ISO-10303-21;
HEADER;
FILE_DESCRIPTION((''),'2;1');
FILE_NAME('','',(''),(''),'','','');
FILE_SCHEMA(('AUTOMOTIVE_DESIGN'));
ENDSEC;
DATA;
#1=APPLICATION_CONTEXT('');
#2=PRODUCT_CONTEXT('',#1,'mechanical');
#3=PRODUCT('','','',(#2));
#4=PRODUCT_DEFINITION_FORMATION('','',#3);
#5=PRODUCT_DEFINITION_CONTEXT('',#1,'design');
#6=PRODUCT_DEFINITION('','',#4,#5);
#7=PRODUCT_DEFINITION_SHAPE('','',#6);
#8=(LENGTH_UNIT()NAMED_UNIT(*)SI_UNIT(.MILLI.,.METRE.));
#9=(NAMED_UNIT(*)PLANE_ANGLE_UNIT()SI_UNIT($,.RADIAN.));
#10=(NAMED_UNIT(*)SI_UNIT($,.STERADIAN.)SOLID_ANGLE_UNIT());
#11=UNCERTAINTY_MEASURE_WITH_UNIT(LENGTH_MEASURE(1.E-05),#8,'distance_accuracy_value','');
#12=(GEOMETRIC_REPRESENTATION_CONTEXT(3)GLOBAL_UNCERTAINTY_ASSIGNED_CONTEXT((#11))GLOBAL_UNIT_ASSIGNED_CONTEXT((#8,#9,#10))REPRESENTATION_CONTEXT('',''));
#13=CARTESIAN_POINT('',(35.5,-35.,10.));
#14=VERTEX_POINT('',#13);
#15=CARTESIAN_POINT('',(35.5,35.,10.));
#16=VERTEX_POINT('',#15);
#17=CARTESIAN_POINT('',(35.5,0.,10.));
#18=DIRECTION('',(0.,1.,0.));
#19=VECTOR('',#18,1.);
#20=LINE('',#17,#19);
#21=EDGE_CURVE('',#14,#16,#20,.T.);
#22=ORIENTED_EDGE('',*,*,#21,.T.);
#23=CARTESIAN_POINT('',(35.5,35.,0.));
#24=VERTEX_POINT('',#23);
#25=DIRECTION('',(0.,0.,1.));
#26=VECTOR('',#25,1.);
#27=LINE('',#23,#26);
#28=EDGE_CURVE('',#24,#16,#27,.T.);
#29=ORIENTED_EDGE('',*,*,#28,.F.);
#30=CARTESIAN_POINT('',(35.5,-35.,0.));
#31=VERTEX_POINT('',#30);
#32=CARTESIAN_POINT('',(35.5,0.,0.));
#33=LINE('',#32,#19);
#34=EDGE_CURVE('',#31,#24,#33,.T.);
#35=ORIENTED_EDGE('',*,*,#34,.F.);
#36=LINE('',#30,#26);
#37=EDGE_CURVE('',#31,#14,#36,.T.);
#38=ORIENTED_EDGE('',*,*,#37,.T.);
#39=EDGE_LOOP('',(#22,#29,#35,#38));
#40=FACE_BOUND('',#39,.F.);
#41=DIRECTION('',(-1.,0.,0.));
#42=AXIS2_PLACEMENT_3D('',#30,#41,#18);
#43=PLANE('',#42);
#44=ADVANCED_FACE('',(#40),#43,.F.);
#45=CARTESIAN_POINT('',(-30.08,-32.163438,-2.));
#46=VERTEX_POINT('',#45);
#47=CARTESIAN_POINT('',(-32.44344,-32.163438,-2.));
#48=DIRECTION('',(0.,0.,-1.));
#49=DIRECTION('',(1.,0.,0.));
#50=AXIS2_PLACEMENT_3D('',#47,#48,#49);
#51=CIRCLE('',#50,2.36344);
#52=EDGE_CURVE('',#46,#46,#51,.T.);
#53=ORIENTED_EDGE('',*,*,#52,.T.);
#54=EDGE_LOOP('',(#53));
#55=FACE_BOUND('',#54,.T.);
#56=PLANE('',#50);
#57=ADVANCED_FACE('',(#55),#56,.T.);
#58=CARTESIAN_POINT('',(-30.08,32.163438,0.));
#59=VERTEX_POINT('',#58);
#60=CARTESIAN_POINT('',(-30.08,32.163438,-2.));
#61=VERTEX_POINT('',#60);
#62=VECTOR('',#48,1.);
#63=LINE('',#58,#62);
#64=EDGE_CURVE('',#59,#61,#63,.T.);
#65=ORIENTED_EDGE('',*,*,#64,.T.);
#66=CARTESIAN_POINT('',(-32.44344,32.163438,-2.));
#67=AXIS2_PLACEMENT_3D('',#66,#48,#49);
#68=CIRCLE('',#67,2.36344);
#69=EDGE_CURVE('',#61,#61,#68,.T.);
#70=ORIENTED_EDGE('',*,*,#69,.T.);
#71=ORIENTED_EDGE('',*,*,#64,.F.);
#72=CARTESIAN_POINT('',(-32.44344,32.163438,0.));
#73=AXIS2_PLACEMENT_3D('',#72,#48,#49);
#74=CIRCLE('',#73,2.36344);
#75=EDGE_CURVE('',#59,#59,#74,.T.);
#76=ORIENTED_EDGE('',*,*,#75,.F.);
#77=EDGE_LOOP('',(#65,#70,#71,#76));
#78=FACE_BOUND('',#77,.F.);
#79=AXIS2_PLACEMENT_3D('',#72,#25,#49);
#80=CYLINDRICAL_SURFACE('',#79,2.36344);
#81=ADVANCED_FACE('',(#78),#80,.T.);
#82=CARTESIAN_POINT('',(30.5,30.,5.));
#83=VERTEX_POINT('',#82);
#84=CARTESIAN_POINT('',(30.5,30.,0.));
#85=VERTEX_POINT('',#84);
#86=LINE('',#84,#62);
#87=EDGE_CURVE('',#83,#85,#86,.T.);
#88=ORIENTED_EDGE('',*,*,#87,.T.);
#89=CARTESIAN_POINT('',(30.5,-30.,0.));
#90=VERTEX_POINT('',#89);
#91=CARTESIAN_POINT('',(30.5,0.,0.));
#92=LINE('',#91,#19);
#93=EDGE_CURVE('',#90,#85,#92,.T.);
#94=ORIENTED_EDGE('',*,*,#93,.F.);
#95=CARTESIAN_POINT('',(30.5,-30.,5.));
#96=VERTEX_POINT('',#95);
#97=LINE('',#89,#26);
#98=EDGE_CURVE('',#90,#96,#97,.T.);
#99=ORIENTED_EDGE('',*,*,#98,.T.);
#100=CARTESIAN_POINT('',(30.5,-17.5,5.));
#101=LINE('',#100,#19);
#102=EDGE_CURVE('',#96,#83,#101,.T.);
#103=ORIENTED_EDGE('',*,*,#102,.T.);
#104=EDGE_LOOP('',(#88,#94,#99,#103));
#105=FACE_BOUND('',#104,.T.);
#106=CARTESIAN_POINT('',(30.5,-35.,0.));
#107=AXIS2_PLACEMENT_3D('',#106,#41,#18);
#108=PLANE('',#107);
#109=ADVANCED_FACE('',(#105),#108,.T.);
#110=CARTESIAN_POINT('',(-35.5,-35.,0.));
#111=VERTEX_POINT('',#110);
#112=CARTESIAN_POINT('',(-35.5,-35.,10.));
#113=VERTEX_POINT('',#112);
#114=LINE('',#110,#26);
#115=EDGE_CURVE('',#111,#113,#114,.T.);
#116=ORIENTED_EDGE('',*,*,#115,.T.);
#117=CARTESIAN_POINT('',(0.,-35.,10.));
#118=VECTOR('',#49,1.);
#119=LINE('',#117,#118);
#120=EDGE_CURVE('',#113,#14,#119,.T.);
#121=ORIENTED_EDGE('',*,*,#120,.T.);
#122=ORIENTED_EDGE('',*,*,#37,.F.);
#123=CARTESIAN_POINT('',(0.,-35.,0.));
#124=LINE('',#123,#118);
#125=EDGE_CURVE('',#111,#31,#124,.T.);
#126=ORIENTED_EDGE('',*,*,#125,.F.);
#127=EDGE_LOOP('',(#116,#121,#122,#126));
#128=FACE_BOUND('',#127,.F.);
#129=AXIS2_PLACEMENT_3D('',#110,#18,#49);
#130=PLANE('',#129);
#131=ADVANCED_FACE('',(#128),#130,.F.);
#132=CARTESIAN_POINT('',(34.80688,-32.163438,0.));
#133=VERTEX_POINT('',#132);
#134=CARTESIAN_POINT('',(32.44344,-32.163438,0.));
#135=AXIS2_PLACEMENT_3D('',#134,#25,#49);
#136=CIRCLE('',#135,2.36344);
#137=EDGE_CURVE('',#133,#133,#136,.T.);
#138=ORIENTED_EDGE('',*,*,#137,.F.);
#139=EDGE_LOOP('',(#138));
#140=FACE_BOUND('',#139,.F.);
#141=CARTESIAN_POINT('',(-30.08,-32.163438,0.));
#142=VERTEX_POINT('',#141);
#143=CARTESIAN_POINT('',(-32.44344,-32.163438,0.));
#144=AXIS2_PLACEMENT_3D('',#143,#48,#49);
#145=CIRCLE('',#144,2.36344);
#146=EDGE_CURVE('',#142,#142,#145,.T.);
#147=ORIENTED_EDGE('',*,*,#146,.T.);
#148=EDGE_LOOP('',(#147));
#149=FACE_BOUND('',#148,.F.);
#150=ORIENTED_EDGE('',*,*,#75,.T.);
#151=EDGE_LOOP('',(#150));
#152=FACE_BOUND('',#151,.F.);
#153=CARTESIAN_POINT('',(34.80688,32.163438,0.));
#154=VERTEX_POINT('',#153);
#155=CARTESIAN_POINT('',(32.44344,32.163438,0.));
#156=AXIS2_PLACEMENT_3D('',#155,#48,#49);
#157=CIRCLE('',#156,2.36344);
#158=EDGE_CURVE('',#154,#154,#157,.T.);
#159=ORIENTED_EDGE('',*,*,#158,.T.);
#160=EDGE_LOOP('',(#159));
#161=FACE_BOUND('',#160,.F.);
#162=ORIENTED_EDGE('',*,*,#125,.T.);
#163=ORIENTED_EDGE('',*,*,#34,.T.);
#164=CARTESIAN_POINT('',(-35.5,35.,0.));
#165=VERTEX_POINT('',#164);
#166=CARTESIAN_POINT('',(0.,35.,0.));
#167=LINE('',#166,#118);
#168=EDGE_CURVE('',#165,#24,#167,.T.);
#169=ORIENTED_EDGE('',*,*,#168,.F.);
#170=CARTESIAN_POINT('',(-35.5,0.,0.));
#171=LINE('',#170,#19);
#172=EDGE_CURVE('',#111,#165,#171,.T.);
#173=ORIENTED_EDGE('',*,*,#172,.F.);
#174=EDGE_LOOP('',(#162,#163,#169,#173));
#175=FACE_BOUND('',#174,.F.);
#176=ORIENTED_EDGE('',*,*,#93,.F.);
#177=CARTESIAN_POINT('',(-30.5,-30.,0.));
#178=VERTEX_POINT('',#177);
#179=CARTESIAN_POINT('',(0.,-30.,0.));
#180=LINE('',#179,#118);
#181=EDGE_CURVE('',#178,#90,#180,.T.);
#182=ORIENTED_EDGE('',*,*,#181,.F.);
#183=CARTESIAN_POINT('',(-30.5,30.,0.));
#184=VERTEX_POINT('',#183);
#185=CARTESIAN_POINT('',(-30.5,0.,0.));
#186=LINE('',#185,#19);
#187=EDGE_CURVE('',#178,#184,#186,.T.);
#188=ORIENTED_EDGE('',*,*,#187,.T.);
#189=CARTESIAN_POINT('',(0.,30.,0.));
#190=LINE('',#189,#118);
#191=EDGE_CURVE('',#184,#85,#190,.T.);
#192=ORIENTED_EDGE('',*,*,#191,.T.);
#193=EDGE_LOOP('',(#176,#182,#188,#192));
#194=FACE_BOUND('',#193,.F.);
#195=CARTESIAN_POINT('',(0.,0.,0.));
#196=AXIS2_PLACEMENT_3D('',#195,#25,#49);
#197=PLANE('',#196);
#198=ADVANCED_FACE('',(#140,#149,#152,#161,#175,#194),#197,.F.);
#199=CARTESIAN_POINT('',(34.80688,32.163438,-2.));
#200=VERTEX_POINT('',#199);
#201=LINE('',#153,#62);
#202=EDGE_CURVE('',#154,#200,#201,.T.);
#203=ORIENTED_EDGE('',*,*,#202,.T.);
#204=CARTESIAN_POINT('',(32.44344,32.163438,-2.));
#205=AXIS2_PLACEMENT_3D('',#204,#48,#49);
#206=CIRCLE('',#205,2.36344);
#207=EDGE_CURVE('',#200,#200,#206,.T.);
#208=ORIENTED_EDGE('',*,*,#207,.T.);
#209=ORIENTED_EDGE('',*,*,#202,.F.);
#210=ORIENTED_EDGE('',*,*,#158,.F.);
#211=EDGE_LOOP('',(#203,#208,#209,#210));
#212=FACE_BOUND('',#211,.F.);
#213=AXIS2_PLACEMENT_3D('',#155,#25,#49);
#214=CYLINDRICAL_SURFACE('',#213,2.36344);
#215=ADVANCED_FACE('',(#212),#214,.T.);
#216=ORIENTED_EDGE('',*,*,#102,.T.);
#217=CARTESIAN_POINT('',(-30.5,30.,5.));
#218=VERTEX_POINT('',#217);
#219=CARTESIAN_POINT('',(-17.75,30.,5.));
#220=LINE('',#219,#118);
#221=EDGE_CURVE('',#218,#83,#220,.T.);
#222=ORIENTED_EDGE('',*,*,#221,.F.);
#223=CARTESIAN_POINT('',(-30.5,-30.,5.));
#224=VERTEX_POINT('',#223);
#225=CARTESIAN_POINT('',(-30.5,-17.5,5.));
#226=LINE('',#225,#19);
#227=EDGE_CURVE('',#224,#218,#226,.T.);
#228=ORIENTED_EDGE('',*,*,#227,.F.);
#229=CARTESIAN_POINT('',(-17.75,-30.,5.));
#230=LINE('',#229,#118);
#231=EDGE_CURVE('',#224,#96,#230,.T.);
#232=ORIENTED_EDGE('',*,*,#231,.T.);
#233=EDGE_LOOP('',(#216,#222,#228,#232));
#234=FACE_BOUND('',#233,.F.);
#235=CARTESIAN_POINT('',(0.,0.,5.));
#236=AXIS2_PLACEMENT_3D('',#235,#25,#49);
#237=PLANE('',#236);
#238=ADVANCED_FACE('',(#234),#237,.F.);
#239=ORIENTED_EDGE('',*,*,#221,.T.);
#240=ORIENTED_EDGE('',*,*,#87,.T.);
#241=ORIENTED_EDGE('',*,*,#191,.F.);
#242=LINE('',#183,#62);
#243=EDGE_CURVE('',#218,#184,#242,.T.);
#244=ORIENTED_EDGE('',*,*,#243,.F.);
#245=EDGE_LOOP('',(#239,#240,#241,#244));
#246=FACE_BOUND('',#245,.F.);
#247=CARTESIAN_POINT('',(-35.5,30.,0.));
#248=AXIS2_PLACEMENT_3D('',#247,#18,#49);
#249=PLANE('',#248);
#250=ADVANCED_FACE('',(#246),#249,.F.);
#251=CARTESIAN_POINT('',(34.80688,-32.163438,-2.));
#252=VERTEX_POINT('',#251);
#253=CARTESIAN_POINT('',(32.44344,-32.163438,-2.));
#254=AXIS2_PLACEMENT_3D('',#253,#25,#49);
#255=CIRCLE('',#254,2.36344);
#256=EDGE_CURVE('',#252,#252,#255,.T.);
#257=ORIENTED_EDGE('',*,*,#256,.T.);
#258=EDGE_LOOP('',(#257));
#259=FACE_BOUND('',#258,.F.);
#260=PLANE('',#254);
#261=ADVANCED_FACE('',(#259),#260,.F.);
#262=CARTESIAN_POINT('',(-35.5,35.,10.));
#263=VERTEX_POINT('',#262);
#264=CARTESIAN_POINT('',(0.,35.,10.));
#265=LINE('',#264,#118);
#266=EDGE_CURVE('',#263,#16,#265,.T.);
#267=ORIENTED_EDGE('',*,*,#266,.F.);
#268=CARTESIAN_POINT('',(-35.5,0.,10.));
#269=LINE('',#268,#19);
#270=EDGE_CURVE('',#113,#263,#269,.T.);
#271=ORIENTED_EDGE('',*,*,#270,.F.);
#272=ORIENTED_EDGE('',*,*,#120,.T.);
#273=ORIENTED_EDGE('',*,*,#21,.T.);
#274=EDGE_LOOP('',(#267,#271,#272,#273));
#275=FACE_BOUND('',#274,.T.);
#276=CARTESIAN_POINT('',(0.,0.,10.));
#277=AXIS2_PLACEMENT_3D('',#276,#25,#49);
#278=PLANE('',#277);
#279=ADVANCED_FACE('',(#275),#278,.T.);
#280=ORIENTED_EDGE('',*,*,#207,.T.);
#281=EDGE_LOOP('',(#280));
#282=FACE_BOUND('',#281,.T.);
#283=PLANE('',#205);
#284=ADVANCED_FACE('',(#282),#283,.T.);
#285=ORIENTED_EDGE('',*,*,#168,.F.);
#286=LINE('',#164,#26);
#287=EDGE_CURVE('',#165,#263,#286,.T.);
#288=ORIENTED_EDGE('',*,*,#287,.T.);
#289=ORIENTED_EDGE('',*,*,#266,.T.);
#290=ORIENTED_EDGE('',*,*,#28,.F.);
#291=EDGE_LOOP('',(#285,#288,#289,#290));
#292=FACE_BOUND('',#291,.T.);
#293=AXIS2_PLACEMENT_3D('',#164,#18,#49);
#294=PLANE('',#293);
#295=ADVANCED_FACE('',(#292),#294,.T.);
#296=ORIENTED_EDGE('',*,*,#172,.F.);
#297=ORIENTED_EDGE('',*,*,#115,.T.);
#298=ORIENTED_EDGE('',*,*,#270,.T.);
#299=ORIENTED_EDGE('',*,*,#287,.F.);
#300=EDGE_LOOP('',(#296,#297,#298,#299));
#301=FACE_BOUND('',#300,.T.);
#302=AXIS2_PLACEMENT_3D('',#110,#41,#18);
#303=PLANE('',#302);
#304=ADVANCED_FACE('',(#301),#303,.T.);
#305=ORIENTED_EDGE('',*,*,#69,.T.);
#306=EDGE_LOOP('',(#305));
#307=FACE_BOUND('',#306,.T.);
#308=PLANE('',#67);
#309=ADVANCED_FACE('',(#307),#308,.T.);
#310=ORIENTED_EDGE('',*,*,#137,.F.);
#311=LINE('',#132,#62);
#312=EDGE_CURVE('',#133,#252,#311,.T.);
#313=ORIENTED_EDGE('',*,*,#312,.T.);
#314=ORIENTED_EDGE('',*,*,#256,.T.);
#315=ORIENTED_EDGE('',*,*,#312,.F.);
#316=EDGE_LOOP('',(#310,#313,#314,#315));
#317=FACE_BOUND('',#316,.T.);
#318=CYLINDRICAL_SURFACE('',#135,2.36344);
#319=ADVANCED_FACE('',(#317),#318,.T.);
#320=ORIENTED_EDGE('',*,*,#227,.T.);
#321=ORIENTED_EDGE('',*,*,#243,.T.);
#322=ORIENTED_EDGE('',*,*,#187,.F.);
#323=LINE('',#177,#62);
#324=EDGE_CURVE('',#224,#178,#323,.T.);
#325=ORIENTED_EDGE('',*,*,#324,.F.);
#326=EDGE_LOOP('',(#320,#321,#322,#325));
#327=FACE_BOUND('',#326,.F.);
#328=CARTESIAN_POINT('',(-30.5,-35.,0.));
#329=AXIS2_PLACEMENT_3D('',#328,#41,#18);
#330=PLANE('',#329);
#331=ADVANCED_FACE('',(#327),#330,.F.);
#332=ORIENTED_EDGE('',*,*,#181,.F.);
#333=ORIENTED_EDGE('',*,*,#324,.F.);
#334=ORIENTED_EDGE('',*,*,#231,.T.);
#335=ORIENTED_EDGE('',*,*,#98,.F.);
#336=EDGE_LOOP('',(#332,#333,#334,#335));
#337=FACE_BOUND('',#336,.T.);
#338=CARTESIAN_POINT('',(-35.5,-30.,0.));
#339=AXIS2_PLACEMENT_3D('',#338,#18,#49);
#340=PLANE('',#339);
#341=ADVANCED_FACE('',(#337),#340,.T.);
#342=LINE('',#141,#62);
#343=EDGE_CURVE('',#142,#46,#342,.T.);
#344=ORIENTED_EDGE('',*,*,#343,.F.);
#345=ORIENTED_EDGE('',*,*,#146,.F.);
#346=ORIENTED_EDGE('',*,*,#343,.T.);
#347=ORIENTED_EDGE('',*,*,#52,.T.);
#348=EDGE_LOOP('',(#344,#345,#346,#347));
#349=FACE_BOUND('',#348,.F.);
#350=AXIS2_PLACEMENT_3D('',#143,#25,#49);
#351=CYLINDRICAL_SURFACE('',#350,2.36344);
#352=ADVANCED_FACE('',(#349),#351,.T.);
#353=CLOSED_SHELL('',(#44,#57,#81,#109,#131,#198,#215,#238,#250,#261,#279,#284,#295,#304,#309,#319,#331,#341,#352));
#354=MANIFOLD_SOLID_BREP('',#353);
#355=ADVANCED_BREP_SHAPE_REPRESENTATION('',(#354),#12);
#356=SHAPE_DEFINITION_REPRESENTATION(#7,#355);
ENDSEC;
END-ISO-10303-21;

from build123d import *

# Parameters (mm, degrees)
F0_W     = 71
F0_H     = 70
F1_DEPTH = 10
F2_T     = -5
F3_R     = 2.36344
F4_R     = 2.36344
F7_DEPTH = 2
F5_R     = 2.36344
F6_R     = 2.36344
F8_DEPTH = 2


with BuildPart() as f1:
    # F0 (on Top) → F1 (new body)
    with BuildSketch(Plane.XY):
        Rectangle(F0_W, F0_H)
    extrude(amount=F1_DEPTH)

    # F2
    f2_openings = [f1.faces().sort_by_distance(p)[0] for p in [
        (0, 0, 0),
    ]]
    offset(amount=F2_T, openings=f2_openings)

    # F3 (on face) + F4 (on Top) → F7 (join)
    with BuildSketch(Plane(origin=(0, 0, 0), x_dir=(1, 0, 0), z_dir=(0, 0, -1))):
        with Locations((-32.44344, 32.1634384014)):
            Circle(F3_R)
    with BuildSketch(Plane.XY):
        with Locations((32.44344, -32.1634384014)):
            Circle(F4_R)
    extrude(amount=F7_DEPTH, dir=(0, 0, -1))

    # F5 (on face) + F6 (on face) → F8 (join)
    with BuildSketch(Plane(origin=(0, 0, 0), x_dir=(1, 0, 0), z_dir=(0, 0, -1))):
        with Locations((-32.44344, -32.1634384014)):
            Circle(F5_R)
    with BuildSketch(Plane(origin=(0, 0, 0), x_dir=(1, 0, 0), z_dir=(0, 0, -1))):
        with Locations((32.44344, -32.1634384014)):
            Circle(F6_R)
    extrude(amount=F8_DEPTH)


solid = f1.part
